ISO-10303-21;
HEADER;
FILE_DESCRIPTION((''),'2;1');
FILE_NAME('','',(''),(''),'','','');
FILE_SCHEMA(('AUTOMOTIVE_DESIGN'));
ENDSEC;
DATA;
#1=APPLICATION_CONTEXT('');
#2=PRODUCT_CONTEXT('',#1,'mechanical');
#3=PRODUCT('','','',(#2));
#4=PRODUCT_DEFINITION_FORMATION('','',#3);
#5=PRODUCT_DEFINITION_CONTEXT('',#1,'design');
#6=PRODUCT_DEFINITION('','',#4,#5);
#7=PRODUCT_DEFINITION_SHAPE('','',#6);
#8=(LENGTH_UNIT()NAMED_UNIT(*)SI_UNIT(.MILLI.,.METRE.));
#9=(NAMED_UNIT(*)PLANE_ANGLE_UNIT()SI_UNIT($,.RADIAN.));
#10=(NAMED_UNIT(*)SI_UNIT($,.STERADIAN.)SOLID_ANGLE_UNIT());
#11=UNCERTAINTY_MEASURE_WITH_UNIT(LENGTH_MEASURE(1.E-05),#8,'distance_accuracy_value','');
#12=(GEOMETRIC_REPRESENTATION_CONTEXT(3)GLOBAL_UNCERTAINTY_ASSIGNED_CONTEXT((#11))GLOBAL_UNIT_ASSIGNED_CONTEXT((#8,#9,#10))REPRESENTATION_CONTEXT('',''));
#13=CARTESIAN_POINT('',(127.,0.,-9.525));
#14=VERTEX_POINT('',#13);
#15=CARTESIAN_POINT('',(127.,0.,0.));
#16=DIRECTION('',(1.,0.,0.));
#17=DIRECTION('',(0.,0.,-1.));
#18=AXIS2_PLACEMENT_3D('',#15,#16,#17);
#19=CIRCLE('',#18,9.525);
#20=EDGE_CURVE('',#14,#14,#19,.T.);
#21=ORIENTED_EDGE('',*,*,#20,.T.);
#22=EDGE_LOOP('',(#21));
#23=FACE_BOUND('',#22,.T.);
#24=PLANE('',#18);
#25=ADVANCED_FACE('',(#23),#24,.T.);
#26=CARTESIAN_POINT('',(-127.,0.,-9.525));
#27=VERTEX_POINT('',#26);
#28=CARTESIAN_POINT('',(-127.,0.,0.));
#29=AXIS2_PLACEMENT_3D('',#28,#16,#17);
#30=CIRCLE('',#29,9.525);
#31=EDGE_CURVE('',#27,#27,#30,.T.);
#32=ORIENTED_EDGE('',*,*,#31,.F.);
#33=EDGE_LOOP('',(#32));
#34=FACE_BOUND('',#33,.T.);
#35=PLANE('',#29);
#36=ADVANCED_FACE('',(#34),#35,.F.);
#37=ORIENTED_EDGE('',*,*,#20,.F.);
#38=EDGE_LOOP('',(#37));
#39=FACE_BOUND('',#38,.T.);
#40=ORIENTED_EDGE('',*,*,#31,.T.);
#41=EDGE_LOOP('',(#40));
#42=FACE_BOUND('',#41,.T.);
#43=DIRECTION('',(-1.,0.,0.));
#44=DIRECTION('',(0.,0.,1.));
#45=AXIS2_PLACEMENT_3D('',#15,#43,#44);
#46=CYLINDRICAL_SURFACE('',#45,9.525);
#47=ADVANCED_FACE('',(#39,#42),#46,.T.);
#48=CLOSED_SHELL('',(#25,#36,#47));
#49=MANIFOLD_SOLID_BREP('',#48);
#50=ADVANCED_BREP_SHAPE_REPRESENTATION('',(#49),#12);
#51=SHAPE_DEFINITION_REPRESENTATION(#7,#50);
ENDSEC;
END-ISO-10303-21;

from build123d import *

# Parameters (mm, degrees)
SKETCH1_R           = 9.525
BOSS_EXTRUDE1_DEPTH = 127


with BuildPart() as part:
    # Sketch1 → Boss-Extrude1 (new body, symmetric)
    with BuildSketch(Plane(origin=(0, 0, 0), x_dir=(0, 0, -1), z_dir=(1, 0, 0))):
        Circle(SKETCH1_R)
    extrude(amount=BOSS_EXTRUDE1_DEPTH, both=True)


solid = part.part
